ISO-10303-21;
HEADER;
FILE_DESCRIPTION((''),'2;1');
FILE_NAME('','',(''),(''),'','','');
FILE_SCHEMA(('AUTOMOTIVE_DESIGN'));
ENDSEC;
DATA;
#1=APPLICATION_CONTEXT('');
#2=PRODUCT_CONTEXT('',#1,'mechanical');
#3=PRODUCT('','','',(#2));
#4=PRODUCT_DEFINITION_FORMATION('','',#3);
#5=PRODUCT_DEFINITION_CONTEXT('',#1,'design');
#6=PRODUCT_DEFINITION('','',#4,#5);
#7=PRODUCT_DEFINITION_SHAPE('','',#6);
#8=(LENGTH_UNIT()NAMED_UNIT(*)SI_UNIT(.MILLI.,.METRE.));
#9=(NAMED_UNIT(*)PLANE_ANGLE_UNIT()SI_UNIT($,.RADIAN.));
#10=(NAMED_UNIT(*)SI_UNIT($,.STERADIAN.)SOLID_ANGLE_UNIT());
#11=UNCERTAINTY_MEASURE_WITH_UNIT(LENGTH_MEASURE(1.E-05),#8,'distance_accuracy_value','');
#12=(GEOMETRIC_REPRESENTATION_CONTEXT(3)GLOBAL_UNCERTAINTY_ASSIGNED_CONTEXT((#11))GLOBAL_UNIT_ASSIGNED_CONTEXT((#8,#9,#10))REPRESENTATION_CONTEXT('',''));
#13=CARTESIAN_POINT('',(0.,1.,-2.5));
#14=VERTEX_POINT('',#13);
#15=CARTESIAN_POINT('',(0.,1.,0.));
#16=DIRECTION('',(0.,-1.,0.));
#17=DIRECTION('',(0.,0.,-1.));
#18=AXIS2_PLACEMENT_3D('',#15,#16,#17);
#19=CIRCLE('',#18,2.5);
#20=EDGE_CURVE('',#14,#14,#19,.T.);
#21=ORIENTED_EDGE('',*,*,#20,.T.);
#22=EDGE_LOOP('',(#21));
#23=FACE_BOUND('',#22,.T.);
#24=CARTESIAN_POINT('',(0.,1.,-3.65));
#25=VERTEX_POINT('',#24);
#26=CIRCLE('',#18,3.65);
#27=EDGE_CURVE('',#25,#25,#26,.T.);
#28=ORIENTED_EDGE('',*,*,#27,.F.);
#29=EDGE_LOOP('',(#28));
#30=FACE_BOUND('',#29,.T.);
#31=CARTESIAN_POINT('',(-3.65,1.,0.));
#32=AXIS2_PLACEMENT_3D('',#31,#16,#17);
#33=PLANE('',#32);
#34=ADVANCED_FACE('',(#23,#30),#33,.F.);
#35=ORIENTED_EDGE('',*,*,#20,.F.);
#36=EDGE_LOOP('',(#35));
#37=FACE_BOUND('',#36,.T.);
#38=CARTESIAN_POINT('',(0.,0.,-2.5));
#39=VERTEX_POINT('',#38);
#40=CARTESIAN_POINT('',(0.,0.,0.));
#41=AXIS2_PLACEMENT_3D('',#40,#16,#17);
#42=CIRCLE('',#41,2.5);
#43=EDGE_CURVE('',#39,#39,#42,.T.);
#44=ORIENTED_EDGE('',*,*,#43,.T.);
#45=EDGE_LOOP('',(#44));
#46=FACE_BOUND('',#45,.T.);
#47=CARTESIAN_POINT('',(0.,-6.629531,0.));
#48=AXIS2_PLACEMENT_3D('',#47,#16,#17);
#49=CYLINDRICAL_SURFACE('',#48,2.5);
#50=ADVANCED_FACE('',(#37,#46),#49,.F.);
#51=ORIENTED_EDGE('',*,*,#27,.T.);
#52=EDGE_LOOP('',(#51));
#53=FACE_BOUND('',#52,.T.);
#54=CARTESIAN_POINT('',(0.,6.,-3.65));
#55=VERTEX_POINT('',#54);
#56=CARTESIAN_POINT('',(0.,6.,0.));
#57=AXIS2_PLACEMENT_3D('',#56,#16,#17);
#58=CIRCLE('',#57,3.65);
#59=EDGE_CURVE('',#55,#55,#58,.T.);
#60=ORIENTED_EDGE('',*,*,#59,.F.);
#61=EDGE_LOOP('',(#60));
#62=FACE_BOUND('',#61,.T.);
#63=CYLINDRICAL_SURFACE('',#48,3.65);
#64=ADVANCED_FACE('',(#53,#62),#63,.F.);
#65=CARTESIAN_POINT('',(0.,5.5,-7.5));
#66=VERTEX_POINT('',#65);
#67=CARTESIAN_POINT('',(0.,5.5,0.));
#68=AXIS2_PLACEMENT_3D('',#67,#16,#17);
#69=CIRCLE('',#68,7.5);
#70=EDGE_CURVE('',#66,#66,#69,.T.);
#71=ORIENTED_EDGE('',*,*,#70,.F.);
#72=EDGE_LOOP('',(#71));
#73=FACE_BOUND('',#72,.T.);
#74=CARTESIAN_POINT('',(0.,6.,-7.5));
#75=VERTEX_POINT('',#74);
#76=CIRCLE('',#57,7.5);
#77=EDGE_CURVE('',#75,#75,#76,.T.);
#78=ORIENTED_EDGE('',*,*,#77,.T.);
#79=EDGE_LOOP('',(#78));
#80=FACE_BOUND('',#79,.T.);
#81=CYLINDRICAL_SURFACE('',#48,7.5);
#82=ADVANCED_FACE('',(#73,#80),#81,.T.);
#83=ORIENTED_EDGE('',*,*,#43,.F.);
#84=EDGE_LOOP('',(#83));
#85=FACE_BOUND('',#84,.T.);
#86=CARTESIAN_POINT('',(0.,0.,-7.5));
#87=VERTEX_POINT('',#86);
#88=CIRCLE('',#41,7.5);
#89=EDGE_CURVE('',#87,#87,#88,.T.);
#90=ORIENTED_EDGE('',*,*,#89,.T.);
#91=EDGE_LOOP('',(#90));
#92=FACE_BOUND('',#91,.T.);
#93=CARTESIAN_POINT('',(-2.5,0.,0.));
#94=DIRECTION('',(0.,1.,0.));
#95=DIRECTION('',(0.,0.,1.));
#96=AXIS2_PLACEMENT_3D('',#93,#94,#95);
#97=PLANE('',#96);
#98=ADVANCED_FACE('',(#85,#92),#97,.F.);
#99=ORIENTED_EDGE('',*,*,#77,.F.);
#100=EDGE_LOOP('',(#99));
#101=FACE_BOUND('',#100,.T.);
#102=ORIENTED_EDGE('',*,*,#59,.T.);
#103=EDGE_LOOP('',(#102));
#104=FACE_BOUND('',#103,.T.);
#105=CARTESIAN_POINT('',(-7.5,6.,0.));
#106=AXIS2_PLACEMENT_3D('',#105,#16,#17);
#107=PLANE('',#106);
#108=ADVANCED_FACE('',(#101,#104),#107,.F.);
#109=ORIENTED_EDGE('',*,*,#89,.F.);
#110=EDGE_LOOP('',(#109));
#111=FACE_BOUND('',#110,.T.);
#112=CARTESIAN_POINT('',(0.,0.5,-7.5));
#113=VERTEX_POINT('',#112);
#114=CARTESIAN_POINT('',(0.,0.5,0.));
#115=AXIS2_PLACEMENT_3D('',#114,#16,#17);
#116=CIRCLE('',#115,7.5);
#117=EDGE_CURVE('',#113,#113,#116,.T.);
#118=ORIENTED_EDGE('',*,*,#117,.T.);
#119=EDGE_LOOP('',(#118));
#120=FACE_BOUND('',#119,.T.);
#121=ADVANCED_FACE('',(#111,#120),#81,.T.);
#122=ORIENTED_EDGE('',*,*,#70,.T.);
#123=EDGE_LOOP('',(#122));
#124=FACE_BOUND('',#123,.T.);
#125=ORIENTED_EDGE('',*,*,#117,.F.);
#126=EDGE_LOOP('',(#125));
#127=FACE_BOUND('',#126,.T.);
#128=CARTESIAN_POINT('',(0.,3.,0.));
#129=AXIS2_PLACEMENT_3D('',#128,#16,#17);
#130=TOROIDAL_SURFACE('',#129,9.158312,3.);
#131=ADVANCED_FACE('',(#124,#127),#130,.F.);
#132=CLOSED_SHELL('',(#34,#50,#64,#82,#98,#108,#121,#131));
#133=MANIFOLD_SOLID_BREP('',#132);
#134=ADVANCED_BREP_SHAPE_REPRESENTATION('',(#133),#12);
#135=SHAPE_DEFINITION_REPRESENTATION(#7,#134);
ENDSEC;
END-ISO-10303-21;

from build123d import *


with BuildPart() as part:
    # Sketch1 → Revolve1 (revolve)
    with BuildSketch(Plane.XY, mode=Mode.PRIVATE) as revolve1_sk:
        with BuildLine():
            Line((-2.5, 0), (-7.5, 0))
            Line((-7.5, 0), (-7.5, 0.5))
            ThreePointArc((-7.5, 0.5), (-6.158312395, 3), (-7.5, 5.5))
            Line((-7.5, 5.5), (-7.5, 6))
            Line((-7.5, 6), (-3.65, 6))
            Line((-3.65, 6), (-3.65, 1))
            Line((-3.65, 1), (-2.5, 1))
            Line((-2.5, 1), (-2.5, 0))
        make_face()
    revolve(revolve1_sk.sketch.rotate(Axis((0, -6.629530881, 0), (0, 1, 0)), 270), axis=Axis((0, -6.629530881, 0), (0, 1, 0)))


solid = part.part
